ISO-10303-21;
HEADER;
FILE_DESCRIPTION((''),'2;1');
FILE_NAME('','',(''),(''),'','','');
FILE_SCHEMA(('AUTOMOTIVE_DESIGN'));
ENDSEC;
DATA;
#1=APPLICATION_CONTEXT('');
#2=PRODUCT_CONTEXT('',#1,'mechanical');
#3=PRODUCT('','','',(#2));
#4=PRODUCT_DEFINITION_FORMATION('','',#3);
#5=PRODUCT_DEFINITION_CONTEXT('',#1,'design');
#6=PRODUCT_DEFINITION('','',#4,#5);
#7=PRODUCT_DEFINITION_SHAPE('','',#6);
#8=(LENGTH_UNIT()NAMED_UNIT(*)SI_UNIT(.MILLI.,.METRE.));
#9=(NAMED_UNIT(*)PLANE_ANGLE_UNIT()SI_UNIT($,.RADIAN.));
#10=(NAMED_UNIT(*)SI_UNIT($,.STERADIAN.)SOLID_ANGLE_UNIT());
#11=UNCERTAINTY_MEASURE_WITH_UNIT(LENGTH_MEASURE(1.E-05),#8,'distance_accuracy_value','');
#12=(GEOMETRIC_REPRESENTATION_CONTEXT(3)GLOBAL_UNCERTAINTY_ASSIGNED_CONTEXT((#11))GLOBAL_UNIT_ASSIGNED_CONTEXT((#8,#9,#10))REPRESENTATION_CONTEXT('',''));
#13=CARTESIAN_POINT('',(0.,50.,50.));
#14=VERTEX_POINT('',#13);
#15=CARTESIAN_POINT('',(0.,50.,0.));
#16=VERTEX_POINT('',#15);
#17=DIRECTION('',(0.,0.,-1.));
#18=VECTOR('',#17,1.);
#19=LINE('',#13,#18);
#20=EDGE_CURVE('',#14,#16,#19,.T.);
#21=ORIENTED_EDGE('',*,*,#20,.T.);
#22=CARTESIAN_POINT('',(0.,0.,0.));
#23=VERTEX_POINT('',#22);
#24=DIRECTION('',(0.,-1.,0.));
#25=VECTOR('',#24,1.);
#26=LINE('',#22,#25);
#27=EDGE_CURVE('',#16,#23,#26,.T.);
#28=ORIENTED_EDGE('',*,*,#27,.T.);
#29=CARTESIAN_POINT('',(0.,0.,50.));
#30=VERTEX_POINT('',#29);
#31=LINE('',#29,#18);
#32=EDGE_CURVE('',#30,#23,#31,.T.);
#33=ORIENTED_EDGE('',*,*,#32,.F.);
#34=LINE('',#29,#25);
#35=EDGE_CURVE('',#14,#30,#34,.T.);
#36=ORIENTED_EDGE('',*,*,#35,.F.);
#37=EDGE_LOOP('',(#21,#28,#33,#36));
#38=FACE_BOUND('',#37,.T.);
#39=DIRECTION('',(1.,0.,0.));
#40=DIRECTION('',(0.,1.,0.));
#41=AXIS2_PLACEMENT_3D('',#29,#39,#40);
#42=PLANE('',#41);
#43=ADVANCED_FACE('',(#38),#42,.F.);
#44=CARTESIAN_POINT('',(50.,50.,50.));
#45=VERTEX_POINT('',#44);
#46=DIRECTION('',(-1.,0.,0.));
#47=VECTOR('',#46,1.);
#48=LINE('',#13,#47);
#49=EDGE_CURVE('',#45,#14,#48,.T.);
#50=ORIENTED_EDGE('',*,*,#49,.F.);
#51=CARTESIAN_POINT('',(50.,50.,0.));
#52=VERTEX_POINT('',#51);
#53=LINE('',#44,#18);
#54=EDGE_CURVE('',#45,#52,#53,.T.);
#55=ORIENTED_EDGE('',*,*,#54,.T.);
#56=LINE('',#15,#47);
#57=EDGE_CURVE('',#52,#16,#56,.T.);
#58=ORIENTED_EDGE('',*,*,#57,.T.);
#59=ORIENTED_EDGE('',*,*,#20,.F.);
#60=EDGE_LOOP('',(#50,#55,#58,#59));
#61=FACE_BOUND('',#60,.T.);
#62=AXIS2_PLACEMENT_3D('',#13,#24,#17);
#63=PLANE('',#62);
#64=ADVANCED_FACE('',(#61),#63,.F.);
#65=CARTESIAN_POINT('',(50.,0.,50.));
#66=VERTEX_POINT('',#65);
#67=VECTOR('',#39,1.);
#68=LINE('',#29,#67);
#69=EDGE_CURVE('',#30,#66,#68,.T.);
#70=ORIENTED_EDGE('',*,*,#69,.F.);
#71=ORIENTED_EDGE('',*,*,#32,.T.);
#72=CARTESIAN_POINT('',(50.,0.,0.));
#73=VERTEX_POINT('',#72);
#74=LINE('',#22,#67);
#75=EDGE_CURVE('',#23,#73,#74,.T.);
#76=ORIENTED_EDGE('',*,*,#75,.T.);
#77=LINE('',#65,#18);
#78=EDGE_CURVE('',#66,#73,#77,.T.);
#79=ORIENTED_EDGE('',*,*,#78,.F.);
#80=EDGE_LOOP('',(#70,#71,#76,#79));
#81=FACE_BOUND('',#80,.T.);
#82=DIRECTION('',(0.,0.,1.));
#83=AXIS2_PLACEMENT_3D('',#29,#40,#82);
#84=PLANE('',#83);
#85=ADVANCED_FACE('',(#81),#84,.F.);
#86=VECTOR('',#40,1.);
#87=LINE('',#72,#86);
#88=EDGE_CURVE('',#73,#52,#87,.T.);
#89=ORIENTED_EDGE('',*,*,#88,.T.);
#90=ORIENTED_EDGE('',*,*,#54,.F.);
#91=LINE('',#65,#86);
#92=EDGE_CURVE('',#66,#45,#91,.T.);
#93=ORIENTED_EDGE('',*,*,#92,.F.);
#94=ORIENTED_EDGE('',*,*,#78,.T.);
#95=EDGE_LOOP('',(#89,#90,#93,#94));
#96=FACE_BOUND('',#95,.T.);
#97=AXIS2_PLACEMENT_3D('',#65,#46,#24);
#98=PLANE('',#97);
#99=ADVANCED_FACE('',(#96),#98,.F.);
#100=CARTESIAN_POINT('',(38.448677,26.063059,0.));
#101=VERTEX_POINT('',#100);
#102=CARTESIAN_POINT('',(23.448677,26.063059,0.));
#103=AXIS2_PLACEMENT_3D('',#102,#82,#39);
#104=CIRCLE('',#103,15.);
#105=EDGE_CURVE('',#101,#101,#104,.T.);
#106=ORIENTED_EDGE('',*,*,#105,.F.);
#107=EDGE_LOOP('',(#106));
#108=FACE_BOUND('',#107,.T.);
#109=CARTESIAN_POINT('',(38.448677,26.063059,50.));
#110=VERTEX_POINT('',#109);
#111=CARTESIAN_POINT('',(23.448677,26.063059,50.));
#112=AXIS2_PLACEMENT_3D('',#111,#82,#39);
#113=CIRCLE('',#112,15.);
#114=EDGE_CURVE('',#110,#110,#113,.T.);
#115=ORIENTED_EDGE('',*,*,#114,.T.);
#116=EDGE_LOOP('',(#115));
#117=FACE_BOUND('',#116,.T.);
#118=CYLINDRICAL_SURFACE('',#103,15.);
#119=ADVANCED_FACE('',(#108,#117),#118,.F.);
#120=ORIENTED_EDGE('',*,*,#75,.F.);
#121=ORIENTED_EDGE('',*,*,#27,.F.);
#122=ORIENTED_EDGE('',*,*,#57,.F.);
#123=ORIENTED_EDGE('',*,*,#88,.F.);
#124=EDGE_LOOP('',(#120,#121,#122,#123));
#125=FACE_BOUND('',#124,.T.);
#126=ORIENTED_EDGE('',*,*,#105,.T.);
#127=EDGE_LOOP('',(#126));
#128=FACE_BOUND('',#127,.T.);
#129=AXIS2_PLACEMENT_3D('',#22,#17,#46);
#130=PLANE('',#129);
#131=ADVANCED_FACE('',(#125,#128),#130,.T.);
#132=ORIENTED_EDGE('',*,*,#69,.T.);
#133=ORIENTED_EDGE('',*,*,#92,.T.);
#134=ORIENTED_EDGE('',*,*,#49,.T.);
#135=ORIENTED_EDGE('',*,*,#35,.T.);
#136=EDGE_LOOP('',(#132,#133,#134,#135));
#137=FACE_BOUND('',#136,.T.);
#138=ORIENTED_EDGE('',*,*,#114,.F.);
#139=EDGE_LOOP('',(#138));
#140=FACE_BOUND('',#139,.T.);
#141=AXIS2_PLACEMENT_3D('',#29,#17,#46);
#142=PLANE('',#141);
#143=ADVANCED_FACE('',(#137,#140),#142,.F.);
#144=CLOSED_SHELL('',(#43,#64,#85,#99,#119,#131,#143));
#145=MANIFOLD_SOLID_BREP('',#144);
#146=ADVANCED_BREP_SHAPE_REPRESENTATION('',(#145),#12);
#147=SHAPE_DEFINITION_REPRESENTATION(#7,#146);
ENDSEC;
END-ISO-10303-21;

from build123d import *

# Parameters (mm, degrees)
SKETCH1_W           = 50
SKETCH1_H           = 50
BOSS_EXTRUDE1_DEPTH = 50
SKETCH2_R           = 15
CUT_EXTRUDE1_DEPTH  = 87.602540378


with BuildPart() as part:
    # Sketch1 → Boss-Extrude1 (new body)
    with BuildSketch(Plane.XY):
        with Locations((25, 25)):
            Rectangle(SKETCH1_W, SKETCH1_H)
    extrude(amount=BOSS_EXTRUDE1_DEPTH)

    # Sketch2 → Cut-Extrude1 (cut, through all)
    with BuildSketch(Plane.XY.offset(50)):
        with Locations((23.448676717, 26.063058993)):
            Circle(SKETCH2_R)
    extrude(amount=-CUT_EXTRUDE1_DEPTH, mode=Mode.SUBTRACT)


solid = part.part
